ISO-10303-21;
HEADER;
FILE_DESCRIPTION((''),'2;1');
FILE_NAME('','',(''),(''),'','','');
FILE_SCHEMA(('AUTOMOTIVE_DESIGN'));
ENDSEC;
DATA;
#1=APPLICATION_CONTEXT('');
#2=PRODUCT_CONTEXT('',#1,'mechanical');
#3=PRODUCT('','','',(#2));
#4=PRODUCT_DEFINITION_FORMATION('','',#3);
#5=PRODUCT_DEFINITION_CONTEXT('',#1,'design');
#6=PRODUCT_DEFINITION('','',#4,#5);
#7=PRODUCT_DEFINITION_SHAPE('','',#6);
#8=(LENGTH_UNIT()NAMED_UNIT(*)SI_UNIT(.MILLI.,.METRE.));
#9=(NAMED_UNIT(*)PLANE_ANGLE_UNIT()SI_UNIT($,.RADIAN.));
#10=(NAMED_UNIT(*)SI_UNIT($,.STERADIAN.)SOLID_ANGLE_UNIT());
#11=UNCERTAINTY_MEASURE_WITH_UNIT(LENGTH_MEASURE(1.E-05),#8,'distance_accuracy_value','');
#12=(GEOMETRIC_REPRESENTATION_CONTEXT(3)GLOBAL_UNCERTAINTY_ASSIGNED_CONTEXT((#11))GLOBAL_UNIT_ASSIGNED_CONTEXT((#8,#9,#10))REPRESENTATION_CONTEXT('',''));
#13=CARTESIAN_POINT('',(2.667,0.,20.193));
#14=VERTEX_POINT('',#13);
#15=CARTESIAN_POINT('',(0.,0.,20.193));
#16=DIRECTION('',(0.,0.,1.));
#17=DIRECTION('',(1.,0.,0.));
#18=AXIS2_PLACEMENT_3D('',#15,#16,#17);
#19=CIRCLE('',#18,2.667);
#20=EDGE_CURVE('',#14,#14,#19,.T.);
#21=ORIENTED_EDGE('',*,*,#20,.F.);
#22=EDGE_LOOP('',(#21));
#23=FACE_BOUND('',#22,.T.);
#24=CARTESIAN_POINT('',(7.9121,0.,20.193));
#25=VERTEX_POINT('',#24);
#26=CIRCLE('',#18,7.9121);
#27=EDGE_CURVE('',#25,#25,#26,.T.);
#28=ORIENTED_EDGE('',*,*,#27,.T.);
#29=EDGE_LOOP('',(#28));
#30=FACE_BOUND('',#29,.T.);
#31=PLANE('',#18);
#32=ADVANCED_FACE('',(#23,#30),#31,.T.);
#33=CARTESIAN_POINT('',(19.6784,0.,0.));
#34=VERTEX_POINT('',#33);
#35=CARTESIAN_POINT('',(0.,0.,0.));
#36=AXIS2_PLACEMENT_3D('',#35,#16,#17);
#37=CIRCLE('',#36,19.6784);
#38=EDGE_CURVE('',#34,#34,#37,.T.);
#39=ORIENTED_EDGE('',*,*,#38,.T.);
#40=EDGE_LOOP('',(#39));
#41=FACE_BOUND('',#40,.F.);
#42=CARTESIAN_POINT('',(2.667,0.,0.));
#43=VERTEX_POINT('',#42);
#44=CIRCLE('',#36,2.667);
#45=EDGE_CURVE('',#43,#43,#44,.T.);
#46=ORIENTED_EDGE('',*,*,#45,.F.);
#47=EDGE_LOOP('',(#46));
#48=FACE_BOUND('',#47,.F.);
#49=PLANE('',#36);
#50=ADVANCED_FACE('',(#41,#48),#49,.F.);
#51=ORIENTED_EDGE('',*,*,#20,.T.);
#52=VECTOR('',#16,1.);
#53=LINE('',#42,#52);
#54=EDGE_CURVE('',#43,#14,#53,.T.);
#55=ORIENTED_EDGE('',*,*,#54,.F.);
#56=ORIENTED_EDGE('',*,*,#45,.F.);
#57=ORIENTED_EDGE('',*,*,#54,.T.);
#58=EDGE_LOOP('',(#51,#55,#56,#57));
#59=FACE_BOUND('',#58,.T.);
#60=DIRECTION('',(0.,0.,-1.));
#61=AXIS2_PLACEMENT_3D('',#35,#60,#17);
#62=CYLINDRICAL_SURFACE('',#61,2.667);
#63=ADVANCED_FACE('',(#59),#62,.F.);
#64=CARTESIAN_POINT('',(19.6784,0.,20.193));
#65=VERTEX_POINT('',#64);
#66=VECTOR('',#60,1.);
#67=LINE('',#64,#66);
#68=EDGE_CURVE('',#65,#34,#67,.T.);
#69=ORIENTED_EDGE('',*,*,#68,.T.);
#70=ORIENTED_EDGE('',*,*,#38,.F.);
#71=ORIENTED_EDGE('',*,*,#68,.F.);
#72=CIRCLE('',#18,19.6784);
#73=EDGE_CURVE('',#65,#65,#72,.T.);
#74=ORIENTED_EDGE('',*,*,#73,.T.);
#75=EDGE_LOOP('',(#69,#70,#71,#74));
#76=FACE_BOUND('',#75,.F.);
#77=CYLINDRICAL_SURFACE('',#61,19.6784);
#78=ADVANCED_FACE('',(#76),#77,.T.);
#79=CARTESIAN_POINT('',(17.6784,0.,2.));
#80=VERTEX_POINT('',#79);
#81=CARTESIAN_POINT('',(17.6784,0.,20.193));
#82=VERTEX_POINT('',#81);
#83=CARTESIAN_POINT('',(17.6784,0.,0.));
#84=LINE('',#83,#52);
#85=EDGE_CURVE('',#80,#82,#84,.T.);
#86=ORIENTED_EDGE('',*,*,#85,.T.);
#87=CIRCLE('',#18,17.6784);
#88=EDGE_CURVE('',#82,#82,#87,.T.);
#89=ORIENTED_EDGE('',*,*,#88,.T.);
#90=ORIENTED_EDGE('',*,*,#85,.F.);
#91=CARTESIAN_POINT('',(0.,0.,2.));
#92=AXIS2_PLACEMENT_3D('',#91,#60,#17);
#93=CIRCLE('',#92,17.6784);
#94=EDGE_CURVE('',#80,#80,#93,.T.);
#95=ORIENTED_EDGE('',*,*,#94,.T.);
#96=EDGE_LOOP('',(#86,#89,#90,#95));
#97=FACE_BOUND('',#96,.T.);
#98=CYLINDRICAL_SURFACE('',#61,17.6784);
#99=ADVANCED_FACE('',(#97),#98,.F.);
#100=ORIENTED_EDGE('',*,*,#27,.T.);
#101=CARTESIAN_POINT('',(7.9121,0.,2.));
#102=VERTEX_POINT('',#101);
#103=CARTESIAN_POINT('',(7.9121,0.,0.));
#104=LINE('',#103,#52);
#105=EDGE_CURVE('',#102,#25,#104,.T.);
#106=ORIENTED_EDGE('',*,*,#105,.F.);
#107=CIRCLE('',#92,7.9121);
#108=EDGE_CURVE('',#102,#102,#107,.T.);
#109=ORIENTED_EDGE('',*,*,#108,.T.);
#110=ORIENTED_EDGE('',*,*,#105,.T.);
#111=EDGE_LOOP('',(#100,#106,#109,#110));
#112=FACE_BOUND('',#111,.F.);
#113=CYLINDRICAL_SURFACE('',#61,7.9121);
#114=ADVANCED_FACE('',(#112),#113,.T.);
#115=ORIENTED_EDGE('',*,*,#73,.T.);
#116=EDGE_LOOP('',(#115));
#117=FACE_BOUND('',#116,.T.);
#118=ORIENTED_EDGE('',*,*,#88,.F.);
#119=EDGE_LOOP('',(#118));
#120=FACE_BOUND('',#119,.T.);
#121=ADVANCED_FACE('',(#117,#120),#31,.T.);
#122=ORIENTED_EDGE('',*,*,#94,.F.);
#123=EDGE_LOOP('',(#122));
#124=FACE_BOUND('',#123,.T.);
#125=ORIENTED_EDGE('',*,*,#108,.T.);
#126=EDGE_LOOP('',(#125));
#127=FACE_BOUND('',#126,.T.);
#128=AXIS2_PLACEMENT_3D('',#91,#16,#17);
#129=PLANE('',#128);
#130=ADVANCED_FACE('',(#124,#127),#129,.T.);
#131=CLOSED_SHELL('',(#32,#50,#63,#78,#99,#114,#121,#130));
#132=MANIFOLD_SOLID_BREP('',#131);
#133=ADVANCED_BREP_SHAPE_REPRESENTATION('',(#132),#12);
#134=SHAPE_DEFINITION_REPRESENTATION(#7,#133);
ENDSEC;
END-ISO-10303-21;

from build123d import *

# Parameters (mm, degrees)
SKETCH_R      = 7.9121
SKETCH_R_2    = 2.667
PAD_DEPTH     = 20.193
SKETCH001_R   = 19.6784
SKETCH001_R_2 = 5.334
PAD001_DEPTH  = 2
SKETCH002_R   = 19.6784
SKETCH002_R_2 = 17.6784
PAD002_DEPTH  = 20.193


with BuildPart() as part:
    # Sketch → Pad (new body)
    with BuildSketch(Plane.XY):
        Circle(SKETCH_R)
        Circle(SKETCH_R_2, mode=Mode.SUBTRACT)
    extrude(amount=PAD_DEPTH)

    # Sketch001 → Pad001 (join)
    with BuildSketch(Plane.XY):
        Circle(SKETCH001_R)
        Circle(SKETCH001_R_2, mode=Mode.SUBTRACT)
    extrude(amount=PAD001_DEPTH)

    # Sketch002 → Pad002 (join)
    with BuildSketch(Plane.XY):
        Circle(SKETCH002_R)
        Circle(SKETCH002_R_2, mode=Mode.SUBTRACT)
    extrude(amount=PAD002_DEPTH)


solid = part.part
